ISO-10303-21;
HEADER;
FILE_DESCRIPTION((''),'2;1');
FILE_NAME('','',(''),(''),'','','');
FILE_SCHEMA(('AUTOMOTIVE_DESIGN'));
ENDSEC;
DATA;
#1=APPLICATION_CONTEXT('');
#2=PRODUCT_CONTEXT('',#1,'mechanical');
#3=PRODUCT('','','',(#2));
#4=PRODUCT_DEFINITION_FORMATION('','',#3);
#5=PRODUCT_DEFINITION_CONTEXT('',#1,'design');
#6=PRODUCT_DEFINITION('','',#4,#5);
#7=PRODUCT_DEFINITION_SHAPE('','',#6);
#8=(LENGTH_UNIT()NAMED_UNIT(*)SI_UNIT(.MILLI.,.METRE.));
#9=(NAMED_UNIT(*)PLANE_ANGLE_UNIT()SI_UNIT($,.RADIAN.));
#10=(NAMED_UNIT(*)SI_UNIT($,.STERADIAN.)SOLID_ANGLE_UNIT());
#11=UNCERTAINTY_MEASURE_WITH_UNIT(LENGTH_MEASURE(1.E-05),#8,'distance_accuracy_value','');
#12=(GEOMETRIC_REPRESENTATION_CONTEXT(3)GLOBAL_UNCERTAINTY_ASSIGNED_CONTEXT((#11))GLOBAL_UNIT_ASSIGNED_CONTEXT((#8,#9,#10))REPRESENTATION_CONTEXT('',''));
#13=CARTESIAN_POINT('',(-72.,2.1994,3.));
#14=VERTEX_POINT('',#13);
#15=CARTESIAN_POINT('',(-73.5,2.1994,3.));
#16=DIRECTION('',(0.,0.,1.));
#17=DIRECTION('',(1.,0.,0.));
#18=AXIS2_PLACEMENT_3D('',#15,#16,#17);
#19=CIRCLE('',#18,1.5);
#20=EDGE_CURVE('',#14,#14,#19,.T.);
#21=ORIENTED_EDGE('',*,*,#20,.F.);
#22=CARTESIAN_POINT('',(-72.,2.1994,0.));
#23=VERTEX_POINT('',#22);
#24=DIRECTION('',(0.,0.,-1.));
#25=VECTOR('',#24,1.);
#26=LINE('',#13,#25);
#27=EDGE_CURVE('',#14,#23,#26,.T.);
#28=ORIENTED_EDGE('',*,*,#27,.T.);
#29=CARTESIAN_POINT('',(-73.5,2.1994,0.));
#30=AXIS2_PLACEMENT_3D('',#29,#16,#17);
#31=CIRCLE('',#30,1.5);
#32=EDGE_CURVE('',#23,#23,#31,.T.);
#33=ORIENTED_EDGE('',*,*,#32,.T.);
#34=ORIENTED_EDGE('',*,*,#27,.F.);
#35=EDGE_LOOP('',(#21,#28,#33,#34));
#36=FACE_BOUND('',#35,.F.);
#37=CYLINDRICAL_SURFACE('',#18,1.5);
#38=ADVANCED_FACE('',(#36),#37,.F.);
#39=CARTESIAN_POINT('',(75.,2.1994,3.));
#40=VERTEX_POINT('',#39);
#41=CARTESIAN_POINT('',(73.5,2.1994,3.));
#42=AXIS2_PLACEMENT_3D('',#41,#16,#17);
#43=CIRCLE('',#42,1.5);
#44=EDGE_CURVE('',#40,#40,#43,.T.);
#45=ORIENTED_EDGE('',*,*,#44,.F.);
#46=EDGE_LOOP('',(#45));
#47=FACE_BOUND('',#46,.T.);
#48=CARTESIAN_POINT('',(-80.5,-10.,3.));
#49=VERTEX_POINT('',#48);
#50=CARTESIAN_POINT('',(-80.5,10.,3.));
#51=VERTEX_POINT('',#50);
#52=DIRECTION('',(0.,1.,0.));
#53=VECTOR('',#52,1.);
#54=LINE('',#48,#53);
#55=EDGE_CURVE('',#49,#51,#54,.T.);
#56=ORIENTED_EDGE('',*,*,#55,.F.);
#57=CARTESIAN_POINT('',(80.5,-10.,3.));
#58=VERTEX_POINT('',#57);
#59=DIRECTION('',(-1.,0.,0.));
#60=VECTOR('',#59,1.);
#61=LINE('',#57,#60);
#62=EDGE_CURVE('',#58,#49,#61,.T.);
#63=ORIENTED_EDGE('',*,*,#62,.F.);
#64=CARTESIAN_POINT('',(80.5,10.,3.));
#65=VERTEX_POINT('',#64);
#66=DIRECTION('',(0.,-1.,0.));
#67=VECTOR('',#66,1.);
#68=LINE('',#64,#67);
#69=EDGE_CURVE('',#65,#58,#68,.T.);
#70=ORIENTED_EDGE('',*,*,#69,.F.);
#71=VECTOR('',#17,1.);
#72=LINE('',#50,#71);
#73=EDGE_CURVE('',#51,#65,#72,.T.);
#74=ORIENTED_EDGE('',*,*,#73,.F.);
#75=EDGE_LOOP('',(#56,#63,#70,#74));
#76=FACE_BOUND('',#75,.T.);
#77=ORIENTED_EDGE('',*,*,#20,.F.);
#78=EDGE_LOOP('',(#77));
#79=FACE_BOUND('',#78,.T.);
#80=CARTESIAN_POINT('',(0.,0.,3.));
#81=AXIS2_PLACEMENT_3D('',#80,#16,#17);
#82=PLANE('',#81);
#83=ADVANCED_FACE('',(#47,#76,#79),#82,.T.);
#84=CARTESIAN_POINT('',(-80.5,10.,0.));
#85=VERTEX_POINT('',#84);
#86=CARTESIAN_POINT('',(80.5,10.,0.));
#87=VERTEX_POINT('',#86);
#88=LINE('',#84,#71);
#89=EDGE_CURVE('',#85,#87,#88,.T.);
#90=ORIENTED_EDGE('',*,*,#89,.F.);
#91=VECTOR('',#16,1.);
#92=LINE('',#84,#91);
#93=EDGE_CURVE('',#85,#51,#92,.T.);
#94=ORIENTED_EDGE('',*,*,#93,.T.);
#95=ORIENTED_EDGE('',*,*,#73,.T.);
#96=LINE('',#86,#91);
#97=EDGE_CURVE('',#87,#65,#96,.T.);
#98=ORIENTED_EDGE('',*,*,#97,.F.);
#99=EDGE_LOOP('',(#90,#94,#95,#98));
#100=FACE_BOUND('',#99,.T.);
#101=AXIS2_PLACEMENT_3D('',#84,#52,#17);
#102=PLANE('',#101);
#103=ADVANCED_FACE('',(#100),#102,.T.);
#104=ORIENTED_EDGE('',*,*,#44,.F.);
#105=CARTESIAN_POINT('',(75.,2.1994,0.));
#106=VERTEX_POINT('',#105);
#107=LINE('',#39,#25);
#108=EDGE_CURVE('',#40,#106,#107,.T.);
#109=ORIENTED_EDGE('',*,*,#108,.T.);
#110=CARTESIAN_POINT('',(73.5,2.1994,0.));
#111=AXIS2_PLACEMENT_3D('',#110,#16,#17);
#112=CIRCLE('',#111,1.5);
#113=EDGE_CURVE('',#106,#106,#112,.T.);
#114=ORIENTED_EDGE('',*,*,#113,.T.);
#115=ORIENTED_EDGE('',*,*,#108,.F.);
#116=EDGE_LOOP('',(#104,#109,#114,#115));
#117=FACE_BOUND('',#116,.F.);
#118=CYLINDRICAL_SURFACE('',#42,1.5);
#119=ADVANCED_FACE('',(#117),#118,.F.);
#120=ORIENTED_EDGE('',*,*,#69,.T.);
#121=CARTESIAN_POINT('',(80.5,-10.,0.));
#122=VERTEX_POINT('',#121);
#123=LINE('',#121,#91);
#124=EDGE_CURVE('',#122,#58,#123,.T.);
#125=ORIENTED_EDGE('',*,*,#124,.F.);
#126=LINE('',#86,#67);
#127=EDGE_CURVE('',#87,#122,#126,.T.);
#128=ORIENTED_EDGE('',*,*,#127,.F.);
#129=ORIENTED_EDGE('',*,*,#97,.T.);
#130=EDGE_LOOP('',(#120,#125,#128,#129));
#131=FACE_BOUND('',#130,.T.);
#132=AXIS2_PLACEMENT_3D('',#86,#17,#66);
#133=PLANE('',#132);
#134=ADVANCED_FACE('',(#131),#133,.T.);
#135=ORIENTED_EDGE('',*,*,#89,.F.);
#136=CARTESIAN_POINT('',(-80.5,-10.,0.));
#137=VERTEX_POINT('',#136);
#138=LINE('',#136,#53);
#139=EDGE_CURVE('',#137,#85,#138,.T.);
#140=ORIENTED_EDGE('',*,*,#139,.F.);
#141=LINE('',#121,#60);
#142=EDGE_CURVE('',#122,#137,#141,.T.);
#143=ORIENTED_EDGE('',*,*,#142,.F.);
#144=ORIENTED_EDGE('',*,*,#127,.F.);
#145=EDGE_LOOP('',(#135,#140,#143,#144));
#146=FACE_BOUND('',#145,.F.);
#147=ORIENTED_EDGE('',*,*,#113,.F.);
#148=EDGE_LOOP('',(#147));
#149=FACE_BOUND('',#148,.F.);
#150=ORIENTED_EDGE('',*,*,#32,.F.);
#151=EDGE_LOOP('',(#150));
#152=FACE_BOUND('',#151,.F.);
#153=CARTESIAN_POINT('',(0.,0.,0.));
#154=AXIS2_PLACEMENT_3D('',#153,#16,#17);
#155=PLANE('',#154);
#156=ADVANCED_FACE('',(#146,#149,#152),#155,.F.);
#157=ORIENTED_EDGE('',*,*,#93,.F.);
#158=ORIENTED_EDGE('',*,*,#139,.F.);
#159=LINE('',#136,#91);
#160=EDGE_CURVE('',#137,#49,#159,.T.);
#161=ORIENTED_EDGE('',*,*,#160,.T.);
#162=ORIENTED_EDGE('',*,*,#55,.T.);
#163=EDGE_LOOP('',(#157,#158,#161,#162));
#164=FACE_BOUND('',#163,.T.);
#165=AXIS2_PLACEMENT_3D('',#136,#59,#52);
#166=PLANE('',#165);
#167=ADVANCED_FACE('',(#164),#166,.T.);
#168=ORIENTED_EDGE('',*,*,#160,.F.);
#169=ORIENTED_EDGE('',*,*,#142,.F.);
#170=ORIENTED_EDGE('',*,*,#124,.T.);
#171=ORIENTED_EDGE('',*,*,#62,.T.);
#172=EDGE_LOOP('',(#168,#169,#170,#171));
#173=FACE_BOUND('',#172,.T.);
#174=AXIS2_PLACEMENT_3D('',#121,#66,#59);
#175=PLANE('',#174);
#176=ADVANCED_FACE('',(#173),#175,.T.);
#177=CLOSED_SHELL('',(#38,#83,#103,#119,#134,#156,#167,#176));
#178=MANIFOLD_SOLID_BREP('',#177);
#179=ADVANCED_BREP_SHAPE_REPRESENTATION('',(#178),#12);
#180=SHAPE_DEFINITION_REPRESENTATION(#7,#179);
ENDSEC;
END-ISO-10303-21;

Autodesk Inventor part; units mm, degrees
ref_plane "YZ Plane" through (0, 0, 0) normal (1, 0, 0) x (0, 1, 0)
ref_plane "XZ Plane" through (0, 0, 0) normal (0, 1, 0) x (-1, 0, 0)
ref_plane "XY Plane" through (0, 0, 0) normal (0, 0, 1) x (1, 0, 0)
sketch "草图1" plane through (0, 0, 0) normal (0, 0, 1) x (1, 0, 0)
  line L0 (80.5, -10) -> (-80.5, -10)
  line L1 (-80.5, -10) -> (-80.5, 10)
  line L2 (-80.5, 10) -> (80.5, 10)
  line L3 (80.5, 10) -> (80.5, -10)
  line L4 (80.5, -10) -> (-80.5, 10) construction
  line L5 (-80.5, -10) -> (80.5, 10) construction
  point P0 (0, 0)
  dimension "d0" = 20
  dimension "d1" = 161
extrude "拉伸1" add sketch "草图1" along normal blind 3
sketch "草图2" plane through (0, 0, 3) normal (0, 0, 1) x (1, 0, 0)
  circle A0 centre (73.5, 2.1994) radius 1.5 projected
  line L0 (80.5, 10) -> (-80.5, 10) projected
  line L1 (80.5, -10) -> (80.5, 10) projected
  line L2 (-80.5, 10) -> (80.5, 10)
  line L3 (0, 10) -> (0, -10)
  line L4 (-80.5, -10) -> (80.5, -10) projected
  circle A1 centre (-73.5, 2.1994) radius 1.5
  point P0 (0, 0)
extrude "拉伸2" cut sketch "草图2" against normal blind 10 contours A0 | A1
properties part number "前挡板"
